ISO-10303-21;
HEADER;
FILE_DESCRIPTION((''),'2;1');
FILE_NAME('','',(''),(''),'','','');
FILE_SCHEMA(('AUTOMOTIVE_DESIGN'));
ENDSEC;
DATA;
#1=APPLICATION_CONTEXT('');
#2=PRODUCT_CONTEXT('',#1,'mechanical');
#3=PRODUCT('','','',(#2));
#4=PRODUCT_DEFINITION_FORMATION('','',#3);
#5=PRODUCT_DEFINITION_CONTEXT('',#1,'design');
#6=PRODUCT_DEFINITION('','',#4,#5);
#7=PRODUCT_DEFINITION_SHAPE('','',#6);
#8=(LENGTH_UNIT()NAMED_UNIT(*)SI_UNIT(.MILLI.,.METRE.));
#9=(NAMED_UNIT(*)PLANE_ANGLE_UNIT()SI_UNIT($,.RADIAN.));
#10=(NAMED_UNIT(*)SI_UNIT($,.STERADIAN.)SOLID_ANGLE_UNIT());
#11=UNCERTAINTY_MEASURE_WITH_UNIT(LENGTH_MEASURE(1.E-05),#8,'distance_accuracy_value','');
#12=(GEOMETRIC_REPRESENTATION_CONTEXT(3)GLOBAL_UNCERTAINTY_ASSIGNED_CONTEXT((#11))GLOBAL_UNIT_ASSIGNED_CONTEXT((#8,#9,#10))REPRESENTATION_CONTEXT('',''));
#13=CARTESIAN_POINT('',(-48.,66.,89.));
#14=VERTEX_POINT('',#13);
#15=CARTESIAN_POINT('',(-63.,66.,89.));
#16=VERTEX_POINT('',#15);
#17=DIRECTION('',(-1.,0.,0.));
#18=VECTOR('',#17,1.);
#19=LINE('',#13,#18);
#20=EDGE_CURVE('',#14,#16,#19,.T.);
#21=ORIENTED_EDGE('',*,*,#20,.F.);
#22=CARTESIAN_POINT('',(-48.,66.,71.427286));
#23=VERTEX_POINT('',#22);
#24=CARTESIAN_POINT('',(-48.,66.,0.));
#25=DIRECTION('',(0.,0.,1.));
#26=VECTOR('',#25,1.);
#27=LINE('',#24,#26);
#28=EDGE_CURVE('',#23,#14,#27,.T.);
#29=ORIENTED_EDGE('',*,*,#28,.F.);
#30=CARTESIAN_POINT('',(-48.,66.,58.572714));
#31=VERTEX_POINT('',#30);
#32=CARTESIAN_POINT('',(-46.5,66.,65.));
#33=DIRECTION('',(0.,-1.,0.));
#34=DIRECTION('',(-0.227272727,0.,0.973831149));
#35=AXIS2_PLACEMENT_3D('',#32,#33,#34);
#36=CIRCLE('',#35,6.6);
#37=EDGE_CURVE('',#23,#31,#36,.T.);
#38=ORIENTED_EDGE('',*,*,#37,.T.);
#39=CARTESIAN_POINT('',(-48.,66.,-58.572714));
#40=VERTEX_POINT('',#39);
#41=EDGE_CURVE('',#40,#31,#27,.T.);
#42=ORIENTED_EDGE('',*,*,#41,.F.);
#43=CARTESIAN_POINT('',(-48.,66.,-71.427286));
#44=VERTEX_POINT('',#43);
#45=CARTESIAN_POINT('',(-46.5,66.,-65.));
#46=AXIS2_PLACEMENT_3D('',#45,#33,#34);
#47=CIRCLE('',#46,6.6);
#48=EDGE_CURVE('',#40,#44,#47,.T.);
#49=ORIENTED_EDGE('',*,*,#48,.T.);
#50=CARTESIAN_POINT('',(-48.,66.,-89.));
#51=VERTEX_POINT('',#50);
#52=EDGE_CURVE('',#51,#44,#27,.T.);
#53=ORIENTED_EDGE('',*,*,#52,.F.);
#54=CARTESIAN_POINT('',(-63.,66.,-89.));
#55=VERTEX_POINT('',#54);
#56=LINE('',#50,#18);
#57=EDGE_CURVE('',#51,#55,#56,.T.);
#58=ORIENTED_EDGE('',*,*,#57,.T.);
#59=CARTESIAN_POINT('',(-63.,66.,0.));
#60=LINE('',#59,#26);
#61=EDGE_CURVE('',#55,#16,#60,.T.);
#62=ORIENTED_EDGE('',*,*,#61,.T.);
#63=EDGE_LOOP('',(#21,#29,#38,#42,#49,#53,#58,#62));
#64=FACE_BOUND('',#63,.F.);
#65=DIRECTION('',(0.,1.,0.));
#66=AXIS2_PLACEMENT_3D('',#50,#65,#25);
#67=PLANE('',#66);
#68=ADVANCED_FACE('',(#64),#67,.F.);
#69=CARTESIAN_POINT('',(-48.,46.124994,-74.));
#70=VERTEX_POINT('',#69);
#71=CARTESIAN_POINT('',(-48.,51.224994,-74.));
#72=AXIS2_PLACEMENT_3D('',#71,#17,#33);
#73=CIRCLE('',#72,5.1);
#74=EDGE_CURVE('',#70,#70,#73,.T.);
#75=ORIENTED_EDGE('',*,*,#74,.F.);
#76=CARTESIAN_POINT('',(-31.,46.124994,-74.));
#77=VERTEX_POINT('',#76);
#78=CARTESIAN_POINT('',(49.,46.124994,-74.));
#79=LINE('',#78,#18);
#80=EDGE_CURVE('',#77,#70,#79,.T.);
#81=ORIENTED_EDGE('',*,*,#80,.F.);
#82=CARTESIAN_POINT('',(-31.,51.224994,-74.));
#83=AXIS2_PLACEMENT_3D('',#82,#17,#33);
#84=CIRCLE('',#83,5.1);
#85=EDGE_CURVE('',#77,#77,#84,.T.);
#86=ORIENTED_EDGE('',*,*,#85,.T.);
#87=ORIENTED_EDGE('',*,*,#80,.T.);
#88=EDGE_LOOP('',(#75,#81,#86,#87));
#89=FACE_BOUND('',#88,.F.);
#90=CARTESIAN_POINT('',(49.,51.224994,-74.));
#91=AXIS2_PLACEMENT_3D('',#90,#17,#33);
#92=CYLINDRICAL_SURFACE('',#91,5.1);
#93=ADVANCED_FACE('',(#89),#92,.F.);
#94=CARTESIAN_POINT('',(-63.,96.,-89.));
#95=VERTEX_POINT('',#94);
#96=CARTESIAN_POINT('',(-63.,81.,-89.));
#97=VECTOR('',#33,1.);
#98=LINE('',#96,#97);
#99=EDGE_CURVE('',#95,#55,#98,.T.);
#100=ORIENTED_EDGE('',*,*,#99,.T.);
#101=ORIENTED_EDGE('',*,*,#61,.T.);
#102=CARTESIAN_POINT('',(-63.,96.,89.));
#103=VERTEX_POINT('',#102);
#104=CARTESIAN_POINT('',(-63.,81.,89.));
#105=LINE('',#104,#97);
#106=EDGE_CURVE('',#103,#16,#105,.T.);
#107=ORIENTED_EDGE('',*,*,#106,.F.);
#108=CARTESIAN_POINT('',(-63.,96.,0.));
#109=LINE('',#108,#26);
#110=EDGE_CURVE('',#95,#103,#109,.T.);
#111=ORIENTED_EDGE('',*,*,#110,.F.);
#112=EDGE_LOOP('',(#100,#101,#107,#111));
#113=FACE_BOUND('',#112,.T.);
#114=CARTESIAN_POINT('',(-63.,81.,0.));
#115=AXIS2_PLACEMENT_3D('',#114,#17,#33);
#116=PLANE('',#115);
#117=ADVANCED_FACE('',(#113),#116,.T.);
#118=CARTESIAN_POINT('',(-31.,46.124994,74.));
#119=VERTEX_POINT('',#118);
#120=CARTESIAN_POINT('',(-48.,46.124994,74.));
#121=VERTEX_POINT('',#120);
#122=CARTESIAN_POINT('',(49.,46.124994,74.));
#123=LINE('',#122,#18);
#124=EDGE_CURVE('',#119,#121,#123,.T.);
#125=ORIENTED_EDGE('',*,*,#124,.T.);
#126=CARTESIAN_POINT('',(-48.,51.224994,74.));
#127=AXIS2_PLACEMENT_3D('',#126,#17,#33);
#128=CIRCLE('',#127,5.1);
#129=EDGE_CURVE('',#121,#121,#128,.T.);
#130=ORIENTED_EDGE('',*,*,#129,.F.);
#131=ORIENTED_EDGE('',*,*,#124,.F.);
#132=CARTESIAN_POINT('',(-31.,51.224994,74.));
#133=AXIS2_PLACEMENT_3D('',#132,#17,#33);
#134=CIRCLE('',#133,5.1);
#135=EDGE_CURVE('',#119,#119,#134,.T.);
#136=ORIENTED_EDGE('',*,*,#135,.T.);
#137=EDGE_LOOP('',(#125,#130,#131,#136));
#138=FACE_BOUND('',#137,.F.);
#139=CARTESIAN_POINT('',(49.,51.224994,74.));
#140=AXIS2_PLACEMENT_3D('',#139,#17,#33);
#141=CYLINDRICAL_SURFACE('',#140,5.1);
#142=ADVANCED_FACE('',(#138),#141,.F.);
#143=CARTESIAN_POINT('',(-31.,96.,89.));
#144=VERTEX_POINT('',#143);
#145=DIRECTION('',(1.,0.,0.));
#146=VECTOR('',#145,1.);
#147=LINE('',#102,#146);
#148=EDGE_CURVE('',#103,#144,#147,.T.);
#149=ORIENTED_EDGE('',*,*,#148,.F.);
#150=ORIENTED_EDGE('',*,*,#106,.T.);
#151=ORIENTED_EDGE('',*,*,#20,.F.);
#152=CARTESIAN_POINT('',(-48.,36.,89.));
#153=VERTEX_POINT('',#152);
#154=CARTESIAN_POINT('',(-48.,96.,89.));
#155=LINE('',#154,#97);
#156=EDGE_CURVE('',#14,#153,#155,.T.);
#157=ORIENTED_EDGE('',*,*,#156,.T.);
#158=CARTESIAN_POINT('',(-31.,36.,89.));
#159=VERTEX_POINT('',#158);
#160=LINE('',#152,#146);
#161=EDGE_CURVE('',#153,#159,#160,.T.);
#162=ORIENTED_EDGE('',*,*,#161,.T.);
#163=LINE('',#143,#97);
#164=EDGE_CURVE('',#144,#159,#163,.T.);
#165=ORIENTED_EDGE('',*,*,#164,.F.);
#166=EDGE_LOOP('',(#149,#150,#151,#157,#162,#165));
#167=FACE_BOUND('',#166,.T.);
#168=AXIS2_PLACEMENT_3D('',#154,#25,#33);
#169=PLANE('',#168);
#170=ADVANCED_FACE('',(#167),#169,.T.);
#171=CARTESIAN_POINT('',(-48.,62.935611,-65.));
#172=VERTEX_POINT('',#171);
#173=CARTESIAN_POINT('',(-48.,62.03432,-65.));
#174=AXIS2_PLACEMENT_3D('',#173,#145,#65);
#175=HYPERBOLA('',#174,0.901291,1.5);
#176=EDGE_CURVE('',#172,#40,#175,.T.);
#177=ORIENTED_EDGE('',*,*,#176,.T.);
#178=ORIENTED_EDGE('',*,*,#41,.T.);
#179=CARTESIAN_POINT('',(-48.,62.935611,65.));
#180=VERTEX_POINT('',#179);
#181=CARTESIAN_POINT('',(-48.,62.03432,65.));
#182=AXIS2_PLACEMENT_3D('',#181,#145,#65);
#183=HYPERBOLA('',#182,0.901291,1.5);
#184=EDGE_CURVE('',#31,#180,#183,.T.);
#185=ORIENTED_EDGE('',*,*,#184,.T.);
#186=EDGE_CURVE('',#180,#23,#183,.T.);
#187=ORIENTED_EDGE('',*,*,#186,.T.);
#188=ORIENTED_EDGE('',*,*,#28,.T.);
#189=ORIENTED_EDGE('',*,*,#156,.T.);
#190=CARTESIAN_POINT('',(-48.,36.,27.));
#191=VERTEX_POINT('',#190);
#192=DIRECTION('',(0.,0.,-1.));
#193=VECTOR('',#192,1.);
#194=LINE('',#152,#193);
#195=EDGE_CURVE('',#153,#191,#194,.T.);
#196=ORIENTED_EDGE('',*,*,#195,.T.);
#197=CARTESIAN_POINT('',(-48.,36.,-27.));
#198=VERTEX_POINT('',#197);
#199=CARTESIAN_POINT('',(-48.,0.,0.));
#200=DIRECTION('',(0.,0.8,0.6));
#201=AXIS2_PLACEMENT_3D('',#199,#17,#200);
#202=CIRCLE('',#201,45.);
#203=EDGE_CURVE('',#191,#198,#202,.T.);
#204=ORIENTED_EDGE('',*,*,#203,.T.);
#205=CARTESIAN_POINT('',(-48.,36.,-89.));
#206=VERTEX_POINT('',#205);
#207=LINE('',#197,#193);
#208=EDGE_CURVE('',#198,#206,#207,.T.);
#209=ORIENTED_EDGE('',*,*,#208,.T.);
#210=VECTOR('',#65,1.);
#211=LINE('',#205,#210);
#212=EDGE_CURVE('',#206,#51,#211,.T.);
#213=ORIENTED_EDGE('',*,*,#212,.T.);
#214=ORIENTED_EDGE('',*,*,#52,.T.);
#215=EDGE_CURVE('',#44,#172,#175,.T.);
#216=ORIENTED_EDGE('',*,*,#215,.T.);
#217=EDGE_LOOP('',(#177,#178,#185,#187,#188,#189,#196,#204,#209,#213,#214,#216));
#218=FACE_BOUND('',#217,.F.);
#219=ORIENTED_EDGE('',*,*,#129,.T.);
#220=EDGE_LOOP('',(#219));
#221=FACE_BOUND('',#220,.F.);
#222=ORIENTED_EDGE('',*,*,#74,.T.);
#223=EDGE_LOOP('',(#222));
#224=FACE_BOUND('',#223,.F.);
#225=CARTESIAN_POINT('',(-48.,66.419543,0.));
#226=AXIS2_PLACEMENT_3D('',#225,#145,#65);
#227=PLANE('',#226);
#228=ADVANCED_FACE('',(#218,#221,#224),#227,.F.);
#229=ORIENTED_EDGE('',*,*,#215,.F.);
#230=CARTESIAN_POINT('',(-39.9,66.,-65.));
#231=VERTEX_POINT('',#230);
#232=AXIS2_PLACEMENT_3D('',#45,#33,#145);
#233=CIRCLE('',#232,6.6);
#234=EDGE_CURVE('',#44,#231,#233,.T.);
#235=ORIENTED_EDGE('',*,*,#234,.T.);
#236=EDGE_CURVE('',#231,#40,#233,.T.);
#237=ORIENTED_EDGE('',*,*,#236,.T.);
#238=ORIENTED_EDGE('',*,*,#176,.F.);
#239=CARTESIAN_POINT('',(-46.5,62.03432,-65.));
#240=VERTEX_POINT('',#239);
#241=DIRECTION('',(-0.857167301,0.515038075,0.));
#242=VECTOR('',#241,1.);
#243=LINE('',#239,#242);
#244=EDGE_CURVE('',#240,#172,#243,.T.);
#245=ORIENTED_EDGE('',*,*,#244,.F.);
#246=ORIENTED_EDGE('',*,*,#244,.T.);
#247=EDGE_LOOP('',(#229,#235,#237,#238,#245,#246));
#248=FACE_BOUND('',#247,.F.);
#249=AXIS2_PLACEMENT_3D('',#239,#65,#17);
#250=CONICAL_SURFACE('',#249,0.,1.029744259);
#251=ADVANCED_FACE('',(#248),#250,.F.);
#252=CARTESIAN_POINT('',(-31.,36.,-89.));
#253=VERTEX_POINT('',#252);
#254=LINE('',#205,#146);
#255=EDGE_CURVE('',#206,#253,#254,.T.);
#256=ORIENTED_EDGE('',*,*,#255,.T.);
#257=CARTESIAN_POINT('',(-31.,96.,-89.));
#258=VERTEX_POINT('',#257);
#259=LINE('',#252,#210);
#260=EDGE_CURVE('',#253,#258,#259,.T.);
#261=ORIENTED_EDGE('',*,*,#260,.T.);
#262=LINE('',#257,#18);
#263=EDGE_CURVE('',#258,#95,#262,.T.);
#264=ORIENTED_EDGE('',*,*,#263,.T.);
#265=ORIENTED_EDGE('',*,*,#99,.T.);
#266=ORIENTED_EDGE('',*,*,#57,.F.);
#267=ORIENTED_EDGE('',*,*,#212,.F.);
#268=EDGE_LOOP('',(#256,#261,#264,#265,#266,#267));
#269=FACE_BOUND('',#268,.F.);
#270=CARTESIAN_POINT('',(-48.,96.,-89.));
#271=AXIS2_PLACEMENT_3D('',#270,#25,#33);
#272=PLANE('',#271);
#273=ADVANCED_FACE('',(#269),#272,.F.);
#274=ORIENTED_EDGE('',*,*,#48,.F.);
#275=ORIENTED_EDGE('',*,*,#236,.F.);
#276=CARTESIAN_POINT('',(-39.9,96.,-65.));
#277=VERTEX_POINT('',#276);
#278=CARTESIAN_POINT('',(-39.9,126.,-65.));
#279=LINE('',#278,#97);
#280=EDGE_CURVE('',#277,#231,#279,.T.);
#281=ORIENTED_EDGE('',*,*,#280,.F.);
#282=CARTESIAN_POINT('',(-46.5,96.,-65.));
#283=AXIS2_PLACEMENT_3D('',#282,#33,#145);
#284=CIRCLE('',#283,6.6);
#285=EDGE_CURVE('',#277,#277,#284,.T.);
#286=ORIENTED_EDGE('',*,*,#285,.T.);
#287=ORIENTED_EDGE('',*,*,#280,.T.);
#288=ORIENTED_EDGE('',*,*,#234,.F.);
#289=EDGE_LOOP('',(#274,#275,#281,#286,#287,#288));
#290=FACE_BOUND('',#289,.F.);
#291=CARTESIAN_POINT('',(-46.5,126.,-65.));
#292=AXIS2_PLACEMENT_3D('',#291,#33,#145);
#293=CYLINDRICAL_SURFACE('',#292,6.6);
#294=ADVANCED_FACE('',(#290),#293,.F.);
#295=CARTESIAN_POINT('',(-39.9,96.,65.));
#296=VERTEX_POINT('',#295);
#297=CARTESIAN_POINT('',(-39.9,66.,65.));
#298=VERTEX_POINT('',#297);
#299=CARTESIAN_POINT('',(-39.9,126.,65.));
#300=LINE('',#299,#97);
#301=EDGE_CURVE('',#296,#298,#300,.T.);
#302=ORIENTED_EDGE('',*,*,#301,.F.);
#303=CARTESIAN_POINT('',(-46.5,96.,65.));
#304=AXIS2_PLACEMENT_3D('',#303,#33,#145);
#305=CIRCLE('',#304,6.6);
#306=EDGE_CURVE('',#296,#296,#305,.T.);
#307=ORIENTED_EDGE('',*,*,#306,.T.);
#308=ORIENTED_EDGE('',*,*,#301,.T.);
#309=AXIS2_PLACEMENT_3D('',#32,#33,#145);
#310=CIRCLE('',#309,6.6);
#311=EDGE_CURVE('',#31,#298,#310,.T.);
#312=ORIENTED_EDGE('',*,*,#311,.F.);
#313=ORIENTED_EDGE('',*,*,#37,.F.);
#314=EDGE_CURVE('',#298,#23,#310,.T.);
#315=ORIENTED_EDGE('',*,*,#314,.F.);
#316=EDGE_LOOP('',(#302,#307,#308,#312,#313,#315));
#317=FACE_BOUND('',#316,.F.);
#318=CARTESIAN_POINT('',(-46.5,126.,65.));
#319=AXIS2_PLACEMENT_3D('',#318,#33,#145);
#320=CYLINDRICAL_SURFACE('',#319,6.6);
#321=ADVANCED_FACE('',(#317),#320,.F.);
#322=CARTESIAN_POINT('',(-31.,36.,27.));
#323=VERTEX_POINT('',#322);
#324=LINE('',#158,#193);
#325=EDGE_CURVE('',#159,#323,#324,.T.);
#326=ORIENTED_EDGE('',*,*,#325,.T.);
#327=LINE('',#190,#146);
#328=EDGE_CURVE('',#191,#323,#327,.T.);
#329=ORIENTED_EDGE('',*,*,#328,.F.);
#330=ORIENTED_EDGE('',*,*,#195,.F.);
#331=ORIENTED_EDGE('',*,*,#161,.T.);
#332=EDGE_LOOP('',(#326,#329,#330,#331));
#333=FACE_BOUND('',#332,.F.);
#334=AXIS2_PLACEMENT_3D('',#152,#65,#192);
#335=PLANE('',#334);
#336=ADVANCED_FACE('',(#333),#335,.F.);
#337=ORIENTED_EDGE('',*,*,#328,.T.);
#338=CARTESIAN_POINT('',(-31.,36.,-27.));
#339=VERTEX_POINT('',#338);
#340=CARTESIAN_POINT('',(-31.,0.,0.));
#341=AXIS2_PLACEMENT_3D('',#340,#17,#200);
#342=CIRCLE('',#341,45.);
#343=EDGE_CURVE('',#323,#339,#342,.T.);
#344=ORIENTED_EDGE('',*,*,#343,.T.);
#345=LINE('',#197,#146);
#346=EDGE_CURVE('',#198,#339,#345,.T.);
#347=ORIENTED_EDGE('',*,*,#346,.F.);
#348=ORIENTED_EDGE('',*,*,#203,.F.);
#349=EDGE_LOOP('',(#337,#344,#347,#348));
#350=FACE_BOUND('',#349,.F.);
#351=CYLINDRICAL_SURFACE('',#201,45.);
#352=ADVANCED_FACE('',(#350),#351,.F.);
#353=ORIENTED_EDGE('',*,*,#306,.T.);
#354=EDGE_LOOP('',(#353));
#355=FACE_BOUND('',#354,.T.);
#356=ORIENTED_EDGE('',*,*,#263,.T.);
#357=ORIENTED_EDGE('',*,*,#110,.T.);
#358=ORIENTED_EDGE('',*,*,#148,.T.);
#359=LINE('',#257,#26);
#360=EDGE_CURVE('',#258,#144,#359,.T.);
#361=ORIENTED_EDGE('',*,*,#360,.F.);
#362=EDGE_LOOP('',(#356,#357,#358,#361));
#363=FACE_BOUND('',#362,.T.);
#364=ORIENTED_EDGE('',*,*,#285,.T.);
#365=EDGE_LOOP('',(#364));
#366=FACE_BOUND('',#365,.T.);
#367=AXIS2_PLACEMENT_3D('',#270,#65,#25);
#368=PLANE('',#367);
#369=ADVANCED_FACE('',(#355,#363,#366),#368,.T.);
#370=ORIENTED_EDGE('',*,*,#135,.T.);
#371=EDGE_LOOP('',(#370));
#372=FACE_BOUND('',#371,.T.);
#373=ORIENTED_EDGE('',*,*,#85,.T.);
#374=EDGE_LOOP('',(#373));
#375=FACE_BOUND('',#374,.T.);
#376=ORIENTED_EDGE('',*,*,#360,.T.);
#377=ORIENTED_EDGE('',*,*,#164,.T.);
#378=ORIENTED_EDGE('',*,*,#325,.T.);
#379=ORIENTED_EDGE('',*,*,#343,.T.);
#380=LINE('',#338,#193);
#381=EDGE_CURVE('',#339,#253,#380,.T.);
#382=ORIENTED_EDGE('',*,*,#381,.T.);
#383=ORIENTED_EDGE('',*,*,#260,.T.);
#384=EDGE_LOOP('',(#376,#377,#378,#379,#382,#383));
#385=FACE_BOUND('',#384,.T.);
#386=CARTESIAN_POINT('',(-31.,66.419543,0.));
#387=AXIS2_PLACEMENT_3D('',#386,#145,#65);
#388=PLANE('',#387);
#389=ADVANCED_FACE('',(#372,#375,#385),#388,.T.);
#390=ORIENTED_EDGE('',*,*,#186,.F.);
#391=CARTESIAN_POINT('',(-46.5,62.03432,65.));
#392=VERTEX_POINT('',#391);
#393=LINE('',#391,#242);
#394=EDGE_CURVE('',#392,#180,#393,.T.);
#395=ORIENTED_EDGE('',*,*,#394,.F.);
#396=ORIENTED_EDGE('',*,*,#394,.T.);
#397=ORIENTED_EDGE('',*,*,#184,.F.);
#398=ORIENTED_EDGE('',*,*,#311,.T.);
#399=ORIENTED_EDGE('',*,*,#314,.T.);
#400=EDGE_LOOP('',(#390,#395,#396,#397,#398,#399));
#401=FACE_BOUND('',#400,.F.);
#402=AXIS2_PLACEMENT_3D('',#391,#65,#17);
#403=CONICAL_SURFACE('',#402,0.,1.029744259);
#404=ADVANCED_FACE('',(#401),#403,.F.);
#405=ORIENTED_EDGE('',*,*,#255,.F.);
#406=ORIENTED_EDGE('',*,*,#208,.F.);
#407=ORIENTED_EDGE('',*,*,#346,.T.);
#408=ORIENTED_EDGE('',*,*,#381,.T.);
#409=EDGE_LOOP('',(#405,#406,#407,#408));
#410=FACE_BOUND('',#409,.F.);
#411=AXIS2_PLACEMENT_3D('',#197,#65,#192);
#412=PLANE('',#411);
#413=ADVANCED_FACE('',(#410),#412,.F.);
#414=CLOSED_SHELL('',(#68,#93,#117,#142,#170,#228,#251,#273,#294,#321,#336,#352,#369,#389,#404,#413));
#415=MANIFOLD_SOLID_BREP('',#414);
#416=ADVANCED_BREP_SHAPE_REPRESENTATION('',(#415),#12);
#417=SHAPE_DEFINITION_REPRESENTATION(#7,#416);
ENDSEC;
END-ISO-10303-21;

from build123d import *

# Parameters (mm, degrees)
F4_R      = 5
F5_DEPTH  = 17
F7_W      = 30
F7_H      = 178
F8_DEPTH  = 15
F10_D     = 10.2
F10_DEPTH = 80
F10_START = 31
F10_TIP   = 3.064389157
F11_D     = 13.2
F11_DEPTH = 30
F11_TIP   = 3.9656800856


with BuildPart() as f5:
    # F4 (on offset) → F5 (new body)
    with BuildSketch(Plane.YZ.offset(-48)):
        with BuildLine():
            Line((36, 89), (36, 27))
            ThreePointArc((36, 27), (45, 0), (36, -27))
            Line((36, -27), (36, -89))
            Line((36, -89), (96, -89))
            Line((96, -89), (96, 89))
            Line((96, 89), (36, 89))
        make_face()
        with Locations((51.2249938995, -74)):
            Circle(F4_R, mode=Mode.SUBTRACT)
        with Locations((51.2249938995, 74)):
            Circle(F4_R, mode=Mode.SUBTRACT)
        with Locations((51.2249938995, 74)):
            Circle(F4_R)
        with Locations((51.2249938995, -74)):
            Circle(F4_R)
    extrude(amount=F5_DEPTH)

    # F7 (on face) → F8 (join)
    with BuildSketch(Plane(origin=(-48, 0, 0), x_dir=(0, -1, 0), z_dir=(-1, 0, 0))):
        with Locations((-81, 0)):
            Rectangle(F7_W, F7_H)
    extrude(amount=F8_DEPTH)

    # F10
    # its depths count from where the whole tool has entered the part; down to there all is cleared
    with Locations(Plane.YZ.offset(-F10_START)):
        with Locations((51.2249938995, 74), (51.2249938995, -74)):
            Hole(F10_D / 2, depth=F10_DEPTH)
            with Locations((0, 0, -(F10_DEPTH + F10_TIP / 2))):  # 118° drill point
                Cone(0, F10_D / 2, F10_TIP, mode=Mode.SUBTRACT)

    # F11
    with Locations(Plane(origin=(0, 96, 0), x_dir=(-1, 0, 0), z_dir=(0, 1, 0))):
        with Locations((46.5, 65), (46.5, -65)):
            Hole(F11_D / 2, depth=F11_DEPTH)
            with Locations((0, 0, -(F11_DEPTH + F11_TIP / 2))):  # 118° drill point
                Cone(0, F11_D / 2, F11_TIP, mode=Mode.SUBTRACT)


solid = f5.part
